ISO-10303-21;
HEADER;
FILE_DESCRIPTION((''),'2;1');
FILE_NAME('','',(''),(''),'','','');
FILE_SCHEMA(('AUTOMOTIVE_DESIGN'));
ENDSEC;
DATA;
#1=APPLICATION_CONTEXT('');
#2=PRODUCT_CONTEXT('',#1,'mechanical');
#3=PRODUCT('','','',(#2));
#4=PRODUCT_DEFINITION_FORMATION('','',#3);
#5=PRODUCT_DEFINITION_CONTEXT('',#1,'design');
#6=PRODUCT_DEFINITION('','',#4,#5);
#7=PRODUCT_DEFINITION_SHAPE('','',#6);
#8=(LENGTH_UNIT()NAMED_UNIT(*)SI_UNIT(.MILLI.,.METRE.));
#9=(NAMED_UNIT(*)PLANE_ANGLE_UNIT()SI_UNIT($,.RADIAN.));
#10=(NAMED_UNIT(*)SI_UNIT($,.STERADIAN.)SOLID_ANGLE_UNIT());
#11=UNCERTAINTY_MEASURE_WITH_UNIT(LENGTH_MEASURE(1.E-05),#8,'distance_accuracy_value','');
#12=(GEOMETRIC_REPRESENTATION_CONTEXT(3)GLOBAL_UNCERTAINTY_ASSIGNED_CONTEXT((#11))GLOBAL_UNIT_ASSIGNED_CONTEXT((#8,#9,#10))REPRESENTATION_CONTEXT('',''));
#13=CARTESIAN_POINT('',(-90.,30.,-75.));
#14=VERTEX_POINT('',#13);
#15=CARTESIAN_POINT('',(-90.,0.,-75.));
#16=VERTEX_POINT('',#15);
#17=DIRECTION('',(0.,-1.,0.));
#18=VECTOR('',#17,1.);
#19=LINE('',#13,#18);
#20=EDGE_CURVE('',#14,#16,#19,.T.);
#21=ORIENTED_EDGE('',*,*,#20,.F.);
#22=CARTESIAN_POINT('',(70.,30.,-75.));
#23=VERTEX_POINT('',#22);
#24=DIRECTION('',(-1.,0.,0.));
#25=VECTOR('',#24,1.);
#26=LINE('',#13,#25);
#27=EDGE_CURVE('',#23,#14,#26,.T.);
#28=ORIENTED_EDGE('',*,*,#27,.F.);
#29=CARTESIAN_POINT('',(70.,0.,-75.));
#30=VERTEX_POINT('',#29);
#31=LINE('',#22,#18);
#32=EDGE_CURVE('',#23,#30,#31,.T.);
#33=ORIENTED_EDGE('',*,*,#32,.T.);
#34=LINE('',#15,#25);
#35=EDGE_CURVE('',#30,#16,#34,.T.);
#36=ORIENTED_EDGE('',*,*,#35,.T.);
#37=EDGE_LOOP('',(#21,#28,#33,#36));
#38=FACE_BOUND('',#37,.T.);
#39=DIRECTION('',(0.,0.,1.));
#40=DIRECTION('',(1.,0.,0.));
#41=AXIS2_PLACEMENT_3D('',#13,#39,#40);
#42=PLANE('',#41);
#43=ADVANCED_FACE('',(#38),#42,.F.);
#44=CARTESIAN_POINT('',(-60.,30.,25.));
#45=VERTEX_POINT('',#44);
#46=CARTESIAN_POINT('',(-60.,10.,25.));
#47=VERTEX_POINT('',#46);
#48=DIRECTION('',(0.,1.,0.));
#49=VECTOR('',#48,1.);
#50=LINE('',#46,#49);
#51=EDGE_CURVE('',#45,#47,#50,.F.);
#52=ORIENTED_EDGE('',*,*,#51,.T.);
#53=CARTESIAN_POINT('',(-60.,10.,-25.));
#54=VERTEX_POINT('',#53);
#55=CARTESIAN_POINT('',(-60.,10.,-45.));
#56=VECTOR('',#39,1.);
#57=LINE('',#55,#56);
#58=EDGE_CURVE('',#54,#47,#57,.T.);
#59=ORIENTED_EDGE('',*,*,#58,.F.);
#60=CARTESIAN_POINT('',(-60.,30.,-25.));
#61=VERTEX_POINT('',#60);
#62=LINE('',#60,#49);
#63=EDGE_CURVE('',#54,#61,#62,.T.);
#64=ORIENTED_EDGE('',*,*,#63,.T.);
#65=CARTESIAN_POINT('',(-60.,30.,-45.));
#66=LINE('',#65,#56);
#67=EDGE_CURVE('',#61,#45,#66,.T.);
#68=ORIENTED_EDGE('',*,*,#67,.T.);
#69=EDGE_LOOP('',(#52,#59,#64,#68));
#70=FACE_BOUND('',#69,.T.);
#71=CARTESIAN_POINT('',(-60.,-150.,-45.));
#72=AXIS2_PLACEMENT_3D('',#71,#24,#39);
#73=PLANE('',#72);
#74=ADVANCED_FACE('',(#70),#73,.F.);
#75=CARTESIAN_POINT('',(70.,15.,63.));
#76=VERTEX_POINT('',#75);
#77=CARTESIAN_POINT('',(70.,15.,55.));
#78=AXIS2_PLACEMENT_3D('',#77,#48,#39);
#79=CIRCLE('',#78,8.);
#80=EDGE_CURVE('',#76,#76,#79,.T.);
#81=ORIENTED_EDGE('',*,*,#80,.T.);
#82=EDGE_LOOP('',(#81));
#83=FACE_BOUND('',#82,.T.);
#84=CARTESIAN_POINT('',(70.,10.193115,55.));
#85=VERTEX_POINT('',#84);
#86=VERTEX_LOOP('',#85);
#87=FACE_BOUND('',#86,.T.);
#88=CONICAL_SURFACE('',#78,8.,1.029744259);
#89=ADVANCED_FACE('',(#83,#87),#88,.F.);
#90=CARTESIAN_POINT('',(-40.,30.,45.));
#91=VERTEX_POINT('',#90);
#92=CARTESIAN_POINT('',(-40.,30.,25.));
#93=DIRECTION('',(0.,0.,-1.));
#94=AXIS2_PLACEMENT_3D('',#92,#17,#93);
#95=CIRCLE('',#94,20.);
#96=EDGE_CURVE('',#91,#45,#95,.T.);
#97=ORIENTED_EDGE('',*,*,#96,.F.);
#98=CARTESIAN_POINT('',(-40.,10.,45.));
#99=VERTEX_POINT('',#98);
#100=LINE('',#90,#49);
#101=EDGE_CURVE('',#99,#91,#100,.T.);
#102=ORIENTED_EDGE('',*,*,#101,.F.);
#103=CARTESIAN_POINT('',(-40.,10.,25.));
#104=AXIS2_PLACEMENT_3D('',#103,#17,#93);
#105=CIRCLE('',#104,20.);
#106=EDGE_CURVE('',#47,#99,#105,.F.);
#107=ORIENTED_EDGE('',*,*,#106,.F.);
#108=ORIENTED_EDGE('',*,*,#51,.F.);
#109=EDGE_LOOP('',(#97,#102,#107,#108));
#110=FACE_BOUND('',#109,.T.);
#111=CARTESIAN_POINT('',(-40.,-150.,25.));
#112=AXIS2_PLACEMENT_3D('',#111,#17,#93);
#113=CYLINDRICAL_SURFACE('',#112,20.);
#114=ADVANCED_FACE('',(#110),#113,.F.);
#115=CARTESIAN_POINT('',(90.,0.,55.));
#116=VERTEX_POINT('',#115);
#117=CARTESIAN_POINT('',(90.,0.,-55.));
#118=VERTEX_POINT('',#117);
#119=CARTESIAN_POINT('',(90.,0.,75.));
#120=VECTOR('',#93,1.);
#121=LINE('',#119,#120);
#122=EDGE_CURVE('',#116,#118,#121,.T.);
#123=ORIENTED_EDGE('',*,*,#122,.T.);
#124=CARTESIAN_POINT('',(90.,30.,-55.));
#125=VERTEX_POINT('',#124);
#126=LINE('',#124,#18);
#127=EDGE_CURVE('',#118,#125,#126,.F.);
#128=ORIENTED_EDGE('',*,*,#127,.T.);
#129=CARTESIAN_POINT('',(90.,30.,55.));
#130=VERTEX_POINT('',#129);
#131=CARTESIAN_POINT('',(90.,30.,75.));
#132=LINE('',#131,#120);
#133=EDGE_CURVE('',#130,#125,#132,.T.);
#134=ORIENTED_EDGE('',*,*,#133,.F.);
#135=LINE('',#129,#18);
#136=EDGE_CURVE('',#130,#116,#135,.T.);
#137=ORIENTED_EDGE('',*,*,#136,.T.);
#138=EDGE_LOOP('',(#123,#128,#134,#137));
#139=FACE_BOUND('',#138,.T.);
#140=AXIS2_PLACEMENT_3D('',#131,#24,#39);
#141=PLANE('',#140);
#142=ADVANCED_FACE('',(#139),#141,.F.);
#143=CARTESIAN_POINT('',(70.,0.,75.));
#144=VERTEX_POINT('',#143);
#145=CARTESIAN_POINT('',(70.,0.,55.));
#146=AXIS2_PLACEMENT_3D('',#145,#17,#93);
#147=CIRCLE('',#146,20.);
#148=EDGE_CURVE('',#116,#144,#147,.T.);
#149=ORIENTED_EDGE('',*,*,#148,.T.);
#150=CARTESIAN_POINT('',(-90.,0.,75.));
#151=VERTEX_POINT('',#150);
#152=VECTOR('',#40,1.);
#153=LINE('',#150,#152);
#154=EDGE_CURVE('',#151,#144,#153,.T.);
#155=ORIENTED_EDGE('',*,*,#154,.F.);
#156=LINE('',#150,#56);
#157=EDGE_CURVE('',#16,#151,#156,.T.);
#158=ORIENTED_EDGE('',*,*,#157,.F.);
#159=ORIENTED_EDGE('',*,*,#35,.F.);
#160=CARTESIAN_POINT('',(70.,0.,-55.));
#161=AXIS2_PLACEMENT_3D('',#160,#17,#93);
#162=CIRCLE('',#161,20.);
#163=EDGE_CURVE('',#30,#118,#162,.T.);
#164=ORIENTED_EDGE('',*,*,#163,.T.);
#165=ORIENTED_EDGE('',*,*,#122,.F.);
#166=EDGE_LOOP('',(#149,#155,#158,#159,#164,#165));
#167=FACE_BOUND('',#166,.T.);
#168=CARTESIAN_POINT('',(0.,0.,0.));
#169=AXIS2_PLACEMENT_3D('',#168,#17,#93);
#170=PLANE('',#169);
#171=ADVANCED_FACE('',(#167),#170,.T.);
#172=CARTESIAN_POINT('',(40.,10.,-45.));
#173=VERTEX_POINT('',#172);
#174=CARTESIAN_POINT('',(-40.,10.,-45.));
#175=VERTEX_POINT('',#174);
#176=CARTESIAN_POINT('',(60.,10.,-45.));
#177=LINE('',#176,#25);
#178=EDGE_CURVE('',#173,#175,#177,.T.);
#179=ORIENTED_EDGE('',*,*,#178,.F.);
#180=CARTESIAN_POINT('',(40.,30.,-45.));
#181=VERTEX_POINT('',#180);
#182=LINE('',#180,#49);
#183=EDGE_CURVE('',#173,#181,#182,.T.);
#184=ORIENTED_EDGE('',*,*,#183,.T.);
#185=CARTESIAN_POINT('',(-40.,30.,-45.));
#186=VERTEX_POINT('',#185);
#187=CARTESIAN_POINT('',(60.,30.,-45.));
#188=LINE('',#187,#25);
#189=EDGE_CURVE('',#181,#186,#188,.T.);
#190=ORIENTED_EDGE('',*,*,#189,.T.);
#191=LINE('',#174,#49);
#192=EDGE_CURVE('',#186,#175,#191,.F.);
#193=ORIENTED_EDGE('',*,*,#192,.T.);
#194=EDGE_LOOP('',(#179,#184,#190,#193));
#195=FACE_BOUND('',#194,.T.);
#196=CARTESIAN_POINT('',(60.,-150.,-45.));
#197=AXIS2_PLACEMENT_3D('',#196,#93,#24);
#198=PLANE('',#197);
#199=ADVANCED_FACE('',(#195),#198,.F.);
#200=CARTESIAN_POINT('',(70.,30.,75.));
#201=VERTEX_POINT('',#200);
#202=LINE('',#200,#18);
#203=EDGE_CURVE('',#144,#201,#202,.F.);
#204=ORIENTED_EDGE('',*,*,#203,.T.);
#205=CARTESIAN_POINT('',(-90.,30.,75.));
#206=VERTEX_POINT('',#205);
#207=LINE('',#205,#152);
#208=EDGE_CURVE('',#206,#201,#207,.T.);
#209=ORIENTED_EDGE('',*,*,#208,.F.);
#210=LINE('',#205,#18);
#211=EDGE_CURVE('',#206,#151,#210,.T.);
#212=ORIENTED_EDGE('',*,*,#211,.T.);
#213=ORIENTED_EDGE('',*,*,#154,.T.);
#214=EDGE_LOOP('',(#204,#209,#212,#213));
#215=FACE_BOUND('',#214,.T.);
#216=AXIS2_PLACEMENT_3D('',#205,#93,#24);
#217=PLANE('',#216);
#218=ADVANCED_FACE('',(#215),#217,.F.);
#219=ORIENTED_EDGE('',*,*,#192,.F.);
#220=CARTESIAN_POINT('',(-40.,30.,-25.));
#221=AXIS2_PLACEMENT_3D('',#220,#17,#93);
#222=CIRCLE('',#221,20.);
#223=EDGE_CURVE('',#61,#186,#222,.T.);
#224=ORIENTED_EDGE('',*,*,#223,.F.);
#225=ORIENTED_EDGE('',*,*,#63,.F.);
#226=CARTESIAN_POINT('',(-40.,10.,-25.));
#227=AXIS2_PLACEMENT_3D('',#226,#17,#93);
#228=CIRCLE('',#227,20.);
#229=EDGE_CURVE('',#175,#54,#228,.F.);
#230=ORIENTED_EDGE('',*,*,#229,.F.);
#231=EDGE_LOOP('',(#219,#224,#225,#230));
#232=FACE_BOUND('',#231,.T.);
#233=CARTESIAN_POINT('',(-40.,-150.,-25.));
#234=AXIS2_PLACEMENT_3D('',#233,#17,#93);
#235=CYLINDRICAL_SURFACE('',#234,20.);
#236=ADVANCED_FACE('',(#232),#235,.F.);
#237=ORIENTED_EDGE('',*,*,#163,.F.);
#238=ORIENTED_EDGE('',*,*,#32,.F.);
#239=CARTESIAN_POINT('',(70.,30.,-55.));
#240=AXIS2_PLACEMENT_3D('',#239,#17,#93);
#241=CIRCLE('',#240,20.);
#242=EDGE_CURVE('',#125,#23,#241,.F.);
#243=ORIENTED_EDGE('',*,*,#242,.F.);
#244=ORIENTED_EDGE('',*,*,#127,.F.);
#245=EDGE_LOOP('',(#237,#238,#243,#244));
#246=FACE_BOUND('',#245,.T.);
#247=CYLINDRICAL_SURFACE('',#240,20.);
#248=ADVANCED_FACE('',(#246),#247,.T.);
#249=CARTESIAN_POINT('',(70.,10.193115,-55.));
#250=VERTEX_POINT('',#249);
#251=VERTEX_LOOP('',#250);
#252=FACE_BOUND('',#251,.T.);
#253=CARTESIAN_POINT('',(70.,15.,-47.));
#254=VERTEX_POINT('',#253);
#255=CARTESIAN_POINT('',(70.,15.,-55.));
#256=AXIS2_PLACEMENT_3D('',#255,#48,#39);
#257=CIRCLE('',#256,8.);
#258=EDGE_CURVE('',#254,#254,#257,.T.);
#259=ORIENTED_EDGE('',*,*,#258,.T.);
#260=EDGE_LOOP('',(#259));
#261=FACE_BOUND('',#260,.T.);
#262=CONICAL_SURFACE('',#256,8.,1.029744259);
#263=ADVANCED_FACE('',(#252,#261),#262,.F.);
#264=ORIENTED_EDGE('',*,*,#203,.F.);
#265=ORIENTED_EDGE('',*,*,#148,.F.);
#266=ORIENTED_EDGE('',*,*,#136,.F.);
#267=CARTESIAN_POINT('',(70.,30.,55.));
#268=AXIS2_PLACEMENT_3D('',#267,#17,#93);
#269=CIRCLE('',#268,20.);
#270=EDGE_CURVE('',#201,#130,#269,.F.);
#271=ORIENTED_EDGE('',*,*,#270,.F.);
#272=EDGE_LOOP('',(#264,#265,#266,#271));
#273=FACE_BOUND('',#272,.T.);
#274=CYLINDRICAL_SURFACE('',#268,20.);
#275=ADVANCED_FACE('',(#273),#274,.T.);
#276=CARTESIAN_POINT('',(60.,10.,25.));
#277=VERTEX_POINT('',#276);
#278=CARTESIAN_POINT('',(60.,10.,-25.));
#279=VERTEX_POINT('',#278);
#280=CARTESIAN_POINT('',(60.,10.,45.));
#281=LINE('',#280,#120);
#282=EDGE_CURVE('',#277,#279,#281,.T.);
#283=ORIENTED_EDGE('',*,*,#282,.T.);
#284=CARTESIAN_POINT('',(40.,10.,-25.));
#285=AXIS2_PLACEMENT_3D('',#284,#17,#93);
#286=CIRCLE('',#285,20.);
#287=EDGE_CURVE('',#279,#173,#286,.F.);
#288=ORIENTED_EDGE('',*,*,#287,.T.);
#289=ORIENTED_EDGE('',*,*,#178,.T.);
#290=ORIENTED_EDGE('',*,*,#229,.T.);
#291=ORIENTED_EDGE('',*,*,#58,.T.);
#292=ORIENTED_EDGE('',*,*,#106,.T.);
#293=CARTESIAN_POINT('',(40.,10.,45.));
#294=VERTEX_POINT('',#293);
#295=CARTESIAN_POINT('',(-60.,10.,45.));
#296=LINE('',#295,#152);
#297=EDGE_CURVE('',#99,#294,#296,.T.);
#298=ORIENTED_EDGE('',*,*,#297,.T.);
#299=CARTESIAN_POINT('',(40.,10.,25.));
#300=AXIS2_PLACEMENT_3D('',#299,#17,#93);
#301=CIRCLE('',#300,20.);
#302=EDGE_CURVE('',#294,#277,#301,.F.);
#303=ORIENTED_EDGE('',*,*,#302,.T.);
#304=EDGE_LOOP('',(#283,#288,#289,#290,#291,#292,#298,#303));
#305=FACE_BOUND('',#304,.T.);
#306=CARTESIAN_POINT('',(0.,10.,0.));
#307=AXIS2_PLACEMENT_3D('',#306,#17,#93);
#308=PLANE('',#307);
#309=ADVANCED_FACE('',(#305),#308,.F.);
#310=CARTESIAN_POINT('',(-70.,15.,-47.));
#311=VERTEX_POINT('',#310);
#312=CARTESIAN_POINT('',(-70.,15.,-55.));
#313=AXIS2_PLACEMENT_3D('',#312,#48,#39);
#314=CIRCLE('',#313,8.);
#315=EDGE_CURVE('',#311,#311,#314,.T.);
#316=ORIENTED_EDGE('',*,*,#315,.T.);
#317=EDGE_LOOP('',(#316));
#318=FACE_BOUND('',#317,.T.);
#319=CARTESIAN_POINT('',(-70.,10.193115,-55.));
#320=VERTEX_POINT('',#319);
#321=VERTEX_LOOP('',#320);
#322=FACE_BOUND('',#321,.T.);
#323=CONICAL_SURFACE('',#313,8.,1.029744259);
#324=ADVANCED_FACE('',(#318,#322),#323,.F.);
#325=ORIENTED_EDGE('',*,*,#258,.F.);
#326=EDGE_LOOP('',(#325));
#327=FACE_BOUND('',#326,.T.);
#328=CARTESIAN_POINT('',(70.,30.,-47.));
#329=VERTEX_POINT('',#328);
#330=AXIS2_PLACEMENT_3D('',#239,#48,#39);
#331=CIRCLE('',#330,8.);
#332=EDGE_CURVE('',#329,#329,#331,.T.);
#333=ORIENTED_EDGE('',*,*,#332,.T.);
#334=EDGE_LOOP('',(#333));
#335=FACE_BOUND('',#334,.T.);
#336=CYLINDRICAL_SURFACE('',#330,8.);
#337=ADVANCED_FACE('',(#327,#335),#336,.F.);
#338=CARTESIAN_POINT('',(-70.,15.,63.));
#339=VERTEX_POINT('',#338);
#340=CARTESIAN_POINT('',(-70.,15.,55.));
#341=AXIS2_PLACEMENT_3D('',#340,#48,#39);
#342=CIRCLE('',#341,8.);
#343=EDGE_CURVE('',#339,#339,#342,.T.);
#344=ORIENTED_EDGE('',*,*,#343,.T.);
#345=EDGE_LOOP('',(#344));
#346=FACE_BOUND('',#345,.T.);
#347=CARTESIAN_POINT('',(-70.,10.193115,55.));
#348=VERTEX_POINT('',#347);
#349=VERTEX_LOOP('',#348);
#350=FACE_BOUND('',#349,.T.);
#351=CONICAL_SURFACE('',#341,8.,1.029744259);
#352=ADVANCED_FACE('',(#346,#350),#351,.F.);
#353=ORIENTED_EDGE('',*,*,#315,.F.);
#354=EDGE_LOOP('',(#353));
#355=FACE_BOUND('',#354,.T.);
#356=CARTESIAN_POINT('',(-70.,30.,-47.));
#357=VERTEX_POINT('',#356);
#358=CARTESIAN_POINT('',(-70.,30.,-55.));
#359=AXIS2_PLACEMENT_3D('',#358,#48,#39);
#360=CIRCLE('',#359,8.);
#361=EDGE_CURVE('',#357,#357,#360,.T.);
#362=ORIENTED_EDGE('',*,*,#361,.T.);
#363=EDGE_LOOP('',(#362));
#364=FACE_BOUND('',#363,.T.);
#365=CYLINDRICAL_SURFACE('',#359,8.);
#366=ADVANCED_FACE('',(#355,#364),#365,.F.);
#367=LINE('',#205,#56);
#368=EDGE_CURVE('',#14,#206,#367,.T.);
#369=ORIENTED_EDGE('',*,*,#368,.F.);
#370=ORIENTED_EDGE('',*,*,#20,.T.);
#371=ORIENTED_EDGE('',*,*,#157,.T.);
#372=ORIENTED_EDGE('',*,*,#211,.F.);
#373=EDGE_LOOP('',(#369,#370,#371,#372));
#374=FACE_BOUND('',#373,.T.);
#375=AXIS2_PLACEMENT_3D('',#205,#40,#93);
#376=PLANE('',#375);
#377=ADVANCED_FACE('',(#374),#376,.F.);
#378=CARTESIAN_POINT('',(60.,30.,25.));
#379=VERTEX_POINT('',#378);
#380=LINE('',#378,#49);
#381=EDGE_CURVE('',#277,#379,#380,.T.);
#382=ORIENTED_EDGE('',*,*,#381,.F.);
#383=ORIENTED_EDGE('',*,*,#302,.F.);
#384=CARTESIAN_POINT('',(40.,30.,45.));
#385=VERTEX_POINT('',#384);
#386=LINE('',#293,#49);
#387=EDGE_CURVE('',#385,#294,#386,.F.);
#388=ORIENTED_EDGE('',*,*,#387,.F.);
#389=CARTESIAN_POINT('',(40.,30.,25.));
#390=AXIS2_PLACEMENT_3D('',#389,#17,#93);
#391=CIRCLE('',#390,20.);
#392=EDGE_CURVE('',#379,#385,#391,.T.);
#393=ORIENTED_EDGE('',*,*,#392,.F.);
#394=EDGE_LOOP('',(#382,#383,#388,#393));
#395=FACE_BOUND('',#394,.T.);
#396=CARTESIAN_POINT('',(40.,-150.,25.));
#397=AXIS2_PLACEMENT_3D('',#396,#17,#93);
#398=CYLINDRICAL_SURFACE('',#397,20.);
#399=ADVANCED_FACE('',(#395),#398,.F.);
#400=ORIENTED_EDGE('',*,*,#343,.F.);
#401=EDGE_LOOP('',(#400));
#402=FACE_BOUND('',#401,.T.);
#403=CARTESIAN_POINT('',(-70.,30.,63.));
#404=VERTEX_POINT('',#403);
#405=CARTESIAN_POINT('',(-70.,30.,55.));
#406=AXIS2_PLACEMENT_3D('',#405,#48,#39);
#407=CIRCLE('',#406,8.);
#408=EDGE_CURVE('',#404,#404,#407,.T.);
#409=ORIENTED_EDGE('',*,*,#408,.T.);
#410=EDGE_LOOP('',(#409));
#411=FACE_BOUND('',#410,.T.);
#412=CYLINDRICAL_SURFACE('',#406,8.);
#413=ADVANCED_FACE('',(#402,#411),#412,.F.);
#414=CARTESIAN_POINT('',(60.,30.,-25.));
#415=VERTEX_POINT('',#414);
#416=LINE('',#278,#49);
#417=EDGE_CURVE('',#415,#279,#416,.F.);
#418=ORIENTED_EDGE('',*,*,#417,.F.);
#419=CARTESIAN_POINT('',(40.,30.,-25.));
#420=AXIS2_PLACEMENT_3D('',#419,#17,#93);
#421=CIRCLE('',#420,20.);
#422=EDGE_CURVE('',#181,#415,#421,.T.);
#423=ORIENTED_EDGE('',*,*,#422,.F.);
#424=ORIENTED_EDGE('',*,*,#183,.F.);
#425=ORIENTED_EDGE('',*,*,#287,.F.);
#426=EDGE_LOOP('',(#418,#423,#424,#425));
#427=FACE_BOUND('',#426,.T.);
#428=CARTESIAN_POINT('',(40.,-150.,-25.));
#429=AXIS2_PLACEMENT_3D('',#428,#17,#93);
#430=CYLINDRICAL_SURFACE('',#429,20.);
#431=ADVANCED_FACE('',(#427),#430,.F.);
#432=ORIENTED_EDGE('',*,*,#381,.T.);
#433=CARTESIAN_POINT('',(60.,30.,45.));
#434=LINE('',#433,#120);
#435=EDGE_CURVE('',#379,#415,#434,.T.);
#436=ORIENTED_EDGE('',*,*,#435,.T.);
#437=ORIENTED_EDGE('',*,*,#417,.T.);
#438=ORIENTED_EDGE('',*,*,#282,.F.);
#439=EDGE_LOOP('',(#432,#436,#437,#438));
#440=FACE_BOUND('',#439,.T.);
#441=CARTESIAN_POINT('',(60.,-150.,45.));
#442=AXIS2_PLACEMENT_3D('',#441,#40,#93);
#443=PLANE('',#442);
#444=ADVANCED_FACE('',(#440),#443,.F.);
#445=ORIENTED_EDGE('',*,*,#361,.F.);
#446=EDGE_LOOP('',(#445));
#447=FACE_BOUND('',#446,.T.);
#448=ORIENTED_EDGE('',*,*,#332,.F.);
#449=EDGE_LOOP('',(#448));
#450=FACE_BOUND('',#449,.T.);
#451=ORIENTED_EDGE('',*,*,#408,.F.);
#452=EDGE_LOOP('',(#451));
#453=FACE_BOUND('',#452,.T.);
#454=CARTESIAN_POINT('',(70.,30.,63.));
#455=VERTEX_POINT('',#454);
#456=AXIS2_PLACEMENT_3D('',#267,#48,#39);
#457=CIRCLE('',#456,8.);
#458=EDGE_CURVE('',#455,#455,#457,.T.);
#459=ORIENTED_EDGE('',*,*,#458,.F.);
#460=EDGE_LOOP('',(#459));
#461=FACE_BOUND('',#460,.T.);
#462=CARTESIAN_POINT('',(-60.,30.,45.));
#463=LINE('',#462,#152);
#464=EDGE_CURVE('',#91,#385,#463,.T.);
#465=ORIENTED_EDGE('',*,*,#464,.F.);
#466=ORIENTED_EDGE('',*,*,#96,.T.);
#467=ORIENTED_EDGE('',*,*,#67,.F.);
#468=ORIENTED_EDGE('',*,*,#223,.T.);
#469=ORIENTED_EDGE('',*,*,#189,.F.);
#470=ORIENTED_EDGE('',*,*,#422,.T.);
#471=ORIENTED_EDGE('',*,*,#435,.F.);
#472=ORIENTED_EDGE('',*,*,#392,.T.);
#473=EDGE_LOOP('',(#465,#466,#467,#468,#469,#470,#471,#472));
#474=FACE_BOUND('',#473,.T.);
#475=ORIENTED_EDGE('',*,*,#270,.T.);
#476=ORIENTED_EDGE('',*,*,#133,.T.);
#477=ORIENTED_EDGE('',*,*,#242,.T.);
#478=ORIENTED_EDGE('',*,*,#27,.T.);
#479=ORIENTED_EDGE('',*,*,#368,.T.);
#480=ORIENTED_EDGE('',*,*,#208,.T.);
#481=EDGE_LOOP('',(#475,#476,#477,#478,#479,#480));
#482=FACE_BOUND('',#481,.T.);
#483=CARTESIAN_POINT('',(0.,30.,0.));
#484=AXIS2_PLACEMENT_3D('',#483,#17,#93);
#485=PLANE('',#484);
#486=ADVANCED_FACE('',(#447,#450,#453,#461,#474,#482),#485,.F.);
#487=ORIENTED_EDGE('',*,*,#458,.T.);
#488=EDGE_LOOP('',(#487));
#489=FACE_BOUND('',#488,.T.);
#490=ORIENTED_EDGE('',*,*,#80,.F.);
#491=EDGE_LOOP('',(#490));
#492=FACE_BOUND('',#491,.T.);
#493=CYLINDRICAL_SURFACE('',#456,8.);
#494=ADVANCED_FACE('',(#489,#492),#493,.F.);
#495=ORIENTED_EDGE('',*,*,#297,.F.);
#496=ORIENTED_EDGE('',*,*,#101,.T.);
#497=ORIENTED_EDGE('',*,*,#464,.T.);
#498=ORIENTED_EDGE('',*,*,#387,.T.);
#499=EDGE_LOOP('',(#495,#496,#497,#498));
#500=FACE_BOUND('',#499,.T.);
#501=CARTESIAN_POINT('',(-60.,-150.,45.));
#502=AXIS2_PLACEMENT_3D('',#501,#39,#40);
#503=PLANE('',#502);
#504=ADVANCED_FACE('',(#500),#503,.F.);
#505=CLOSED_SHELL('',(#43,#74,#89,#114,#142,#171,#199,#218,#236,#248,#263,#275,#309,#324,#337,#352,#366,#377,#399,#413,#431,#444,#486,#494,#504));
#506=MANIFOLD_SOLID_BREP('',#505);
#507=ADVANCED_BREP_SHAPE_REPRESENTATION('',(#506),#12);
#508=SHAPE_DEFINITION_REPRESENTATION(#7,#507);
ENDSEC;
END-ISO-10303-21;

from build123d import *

# Parameters (mm, degrees)
SKETCH1_W                  = 180
SKETCH1_H                  = 150
BOSS_EXTRUDE1_DEPTH        = 30
F_16_0MM_DOWEL_HOLE1_D     = 16
F_16_0MM_DOWEL_HOLE1_DEPTH = 15
F_16_0MM_DOWEL_HOLE1_TIP   = 4.806884952
SKETCH5_W                  = 120
SKETCH5_H                  = 90
CUT_EXTRUDE1_DEPTH         = 20
FILLET1_R                  = 20
FILLET2_R                  = 20


with BuildPart() as part:
    # Sketch1 → Boss-Extrude1 (new body)
    with BuildSketch(Plane(origin=(0, 0, 0), x_dir=(1, 0, 0), z_dir=(0, 1, 0))):
        Rectangle(SKETCH1_W, SKETCH1_H)
    extrude(amount=BOSS_EXTRUDE1_DEPTH)

    # Ø16.0mm Dowel Hole1
    with Locations(Plane(origin=(-70, 30, 55), x_dir=(0, 0, 1), z_dir=(0, 1, 0))):
        with Locations((0, 0), (-110, 0), (-110, 140), (0, 140)):
            Hole(F_16_0MM_DOWEL_HOLE1_D / 2, depth=F_16_0MM_DOWEL_HOLE1_DEPTH)
            with Locations((0, 0, -(F_16_0MM_DOWEL_HOLE1_DEPTH + F_16_0MM_DOWEL_HOLE1_TIP / 2))):  # 118° drill point
                Cone(0, F_16_0MM_DOWEL_HOLE1_D / 2, F_16_0MM_DOWEL_HOLE1_TIP, mode=Mode.SUBTRACT)

    # Sketch5 → Cut-Extrude1 (cut)
    with BuildSketch(Plane(origin=(0, 30, 0), x_dir=(1, 0, 0), z_dir=(0, 1, 0))):
        Rectangle(SKETCH5_W, SKETCH5_H)
    extrude(amount=-CUT_EXTRUDE1_DEPTH, mode=Mode.SUBTRACT)

    # Fillet1
    fillet1_edges = [part.edges().sort_by_distance(p)[0] for p in [
        (60, 20, -45),
        (-60, 20, -45),
        (-60, 20, 45),
        (60, 20, 45),
    ]]
    fillet(fillet1_edges, radius=FILLET1_R)

    # Fillet2
    fillet2_edges = [part.edges().sort_by_distance(p)[0] for p in [
        (90, 15, 75),
        (90, 15, -75),
    ]]
    fillet(fillet2_edges, radius=FILLET2_R)


solid = part.part
